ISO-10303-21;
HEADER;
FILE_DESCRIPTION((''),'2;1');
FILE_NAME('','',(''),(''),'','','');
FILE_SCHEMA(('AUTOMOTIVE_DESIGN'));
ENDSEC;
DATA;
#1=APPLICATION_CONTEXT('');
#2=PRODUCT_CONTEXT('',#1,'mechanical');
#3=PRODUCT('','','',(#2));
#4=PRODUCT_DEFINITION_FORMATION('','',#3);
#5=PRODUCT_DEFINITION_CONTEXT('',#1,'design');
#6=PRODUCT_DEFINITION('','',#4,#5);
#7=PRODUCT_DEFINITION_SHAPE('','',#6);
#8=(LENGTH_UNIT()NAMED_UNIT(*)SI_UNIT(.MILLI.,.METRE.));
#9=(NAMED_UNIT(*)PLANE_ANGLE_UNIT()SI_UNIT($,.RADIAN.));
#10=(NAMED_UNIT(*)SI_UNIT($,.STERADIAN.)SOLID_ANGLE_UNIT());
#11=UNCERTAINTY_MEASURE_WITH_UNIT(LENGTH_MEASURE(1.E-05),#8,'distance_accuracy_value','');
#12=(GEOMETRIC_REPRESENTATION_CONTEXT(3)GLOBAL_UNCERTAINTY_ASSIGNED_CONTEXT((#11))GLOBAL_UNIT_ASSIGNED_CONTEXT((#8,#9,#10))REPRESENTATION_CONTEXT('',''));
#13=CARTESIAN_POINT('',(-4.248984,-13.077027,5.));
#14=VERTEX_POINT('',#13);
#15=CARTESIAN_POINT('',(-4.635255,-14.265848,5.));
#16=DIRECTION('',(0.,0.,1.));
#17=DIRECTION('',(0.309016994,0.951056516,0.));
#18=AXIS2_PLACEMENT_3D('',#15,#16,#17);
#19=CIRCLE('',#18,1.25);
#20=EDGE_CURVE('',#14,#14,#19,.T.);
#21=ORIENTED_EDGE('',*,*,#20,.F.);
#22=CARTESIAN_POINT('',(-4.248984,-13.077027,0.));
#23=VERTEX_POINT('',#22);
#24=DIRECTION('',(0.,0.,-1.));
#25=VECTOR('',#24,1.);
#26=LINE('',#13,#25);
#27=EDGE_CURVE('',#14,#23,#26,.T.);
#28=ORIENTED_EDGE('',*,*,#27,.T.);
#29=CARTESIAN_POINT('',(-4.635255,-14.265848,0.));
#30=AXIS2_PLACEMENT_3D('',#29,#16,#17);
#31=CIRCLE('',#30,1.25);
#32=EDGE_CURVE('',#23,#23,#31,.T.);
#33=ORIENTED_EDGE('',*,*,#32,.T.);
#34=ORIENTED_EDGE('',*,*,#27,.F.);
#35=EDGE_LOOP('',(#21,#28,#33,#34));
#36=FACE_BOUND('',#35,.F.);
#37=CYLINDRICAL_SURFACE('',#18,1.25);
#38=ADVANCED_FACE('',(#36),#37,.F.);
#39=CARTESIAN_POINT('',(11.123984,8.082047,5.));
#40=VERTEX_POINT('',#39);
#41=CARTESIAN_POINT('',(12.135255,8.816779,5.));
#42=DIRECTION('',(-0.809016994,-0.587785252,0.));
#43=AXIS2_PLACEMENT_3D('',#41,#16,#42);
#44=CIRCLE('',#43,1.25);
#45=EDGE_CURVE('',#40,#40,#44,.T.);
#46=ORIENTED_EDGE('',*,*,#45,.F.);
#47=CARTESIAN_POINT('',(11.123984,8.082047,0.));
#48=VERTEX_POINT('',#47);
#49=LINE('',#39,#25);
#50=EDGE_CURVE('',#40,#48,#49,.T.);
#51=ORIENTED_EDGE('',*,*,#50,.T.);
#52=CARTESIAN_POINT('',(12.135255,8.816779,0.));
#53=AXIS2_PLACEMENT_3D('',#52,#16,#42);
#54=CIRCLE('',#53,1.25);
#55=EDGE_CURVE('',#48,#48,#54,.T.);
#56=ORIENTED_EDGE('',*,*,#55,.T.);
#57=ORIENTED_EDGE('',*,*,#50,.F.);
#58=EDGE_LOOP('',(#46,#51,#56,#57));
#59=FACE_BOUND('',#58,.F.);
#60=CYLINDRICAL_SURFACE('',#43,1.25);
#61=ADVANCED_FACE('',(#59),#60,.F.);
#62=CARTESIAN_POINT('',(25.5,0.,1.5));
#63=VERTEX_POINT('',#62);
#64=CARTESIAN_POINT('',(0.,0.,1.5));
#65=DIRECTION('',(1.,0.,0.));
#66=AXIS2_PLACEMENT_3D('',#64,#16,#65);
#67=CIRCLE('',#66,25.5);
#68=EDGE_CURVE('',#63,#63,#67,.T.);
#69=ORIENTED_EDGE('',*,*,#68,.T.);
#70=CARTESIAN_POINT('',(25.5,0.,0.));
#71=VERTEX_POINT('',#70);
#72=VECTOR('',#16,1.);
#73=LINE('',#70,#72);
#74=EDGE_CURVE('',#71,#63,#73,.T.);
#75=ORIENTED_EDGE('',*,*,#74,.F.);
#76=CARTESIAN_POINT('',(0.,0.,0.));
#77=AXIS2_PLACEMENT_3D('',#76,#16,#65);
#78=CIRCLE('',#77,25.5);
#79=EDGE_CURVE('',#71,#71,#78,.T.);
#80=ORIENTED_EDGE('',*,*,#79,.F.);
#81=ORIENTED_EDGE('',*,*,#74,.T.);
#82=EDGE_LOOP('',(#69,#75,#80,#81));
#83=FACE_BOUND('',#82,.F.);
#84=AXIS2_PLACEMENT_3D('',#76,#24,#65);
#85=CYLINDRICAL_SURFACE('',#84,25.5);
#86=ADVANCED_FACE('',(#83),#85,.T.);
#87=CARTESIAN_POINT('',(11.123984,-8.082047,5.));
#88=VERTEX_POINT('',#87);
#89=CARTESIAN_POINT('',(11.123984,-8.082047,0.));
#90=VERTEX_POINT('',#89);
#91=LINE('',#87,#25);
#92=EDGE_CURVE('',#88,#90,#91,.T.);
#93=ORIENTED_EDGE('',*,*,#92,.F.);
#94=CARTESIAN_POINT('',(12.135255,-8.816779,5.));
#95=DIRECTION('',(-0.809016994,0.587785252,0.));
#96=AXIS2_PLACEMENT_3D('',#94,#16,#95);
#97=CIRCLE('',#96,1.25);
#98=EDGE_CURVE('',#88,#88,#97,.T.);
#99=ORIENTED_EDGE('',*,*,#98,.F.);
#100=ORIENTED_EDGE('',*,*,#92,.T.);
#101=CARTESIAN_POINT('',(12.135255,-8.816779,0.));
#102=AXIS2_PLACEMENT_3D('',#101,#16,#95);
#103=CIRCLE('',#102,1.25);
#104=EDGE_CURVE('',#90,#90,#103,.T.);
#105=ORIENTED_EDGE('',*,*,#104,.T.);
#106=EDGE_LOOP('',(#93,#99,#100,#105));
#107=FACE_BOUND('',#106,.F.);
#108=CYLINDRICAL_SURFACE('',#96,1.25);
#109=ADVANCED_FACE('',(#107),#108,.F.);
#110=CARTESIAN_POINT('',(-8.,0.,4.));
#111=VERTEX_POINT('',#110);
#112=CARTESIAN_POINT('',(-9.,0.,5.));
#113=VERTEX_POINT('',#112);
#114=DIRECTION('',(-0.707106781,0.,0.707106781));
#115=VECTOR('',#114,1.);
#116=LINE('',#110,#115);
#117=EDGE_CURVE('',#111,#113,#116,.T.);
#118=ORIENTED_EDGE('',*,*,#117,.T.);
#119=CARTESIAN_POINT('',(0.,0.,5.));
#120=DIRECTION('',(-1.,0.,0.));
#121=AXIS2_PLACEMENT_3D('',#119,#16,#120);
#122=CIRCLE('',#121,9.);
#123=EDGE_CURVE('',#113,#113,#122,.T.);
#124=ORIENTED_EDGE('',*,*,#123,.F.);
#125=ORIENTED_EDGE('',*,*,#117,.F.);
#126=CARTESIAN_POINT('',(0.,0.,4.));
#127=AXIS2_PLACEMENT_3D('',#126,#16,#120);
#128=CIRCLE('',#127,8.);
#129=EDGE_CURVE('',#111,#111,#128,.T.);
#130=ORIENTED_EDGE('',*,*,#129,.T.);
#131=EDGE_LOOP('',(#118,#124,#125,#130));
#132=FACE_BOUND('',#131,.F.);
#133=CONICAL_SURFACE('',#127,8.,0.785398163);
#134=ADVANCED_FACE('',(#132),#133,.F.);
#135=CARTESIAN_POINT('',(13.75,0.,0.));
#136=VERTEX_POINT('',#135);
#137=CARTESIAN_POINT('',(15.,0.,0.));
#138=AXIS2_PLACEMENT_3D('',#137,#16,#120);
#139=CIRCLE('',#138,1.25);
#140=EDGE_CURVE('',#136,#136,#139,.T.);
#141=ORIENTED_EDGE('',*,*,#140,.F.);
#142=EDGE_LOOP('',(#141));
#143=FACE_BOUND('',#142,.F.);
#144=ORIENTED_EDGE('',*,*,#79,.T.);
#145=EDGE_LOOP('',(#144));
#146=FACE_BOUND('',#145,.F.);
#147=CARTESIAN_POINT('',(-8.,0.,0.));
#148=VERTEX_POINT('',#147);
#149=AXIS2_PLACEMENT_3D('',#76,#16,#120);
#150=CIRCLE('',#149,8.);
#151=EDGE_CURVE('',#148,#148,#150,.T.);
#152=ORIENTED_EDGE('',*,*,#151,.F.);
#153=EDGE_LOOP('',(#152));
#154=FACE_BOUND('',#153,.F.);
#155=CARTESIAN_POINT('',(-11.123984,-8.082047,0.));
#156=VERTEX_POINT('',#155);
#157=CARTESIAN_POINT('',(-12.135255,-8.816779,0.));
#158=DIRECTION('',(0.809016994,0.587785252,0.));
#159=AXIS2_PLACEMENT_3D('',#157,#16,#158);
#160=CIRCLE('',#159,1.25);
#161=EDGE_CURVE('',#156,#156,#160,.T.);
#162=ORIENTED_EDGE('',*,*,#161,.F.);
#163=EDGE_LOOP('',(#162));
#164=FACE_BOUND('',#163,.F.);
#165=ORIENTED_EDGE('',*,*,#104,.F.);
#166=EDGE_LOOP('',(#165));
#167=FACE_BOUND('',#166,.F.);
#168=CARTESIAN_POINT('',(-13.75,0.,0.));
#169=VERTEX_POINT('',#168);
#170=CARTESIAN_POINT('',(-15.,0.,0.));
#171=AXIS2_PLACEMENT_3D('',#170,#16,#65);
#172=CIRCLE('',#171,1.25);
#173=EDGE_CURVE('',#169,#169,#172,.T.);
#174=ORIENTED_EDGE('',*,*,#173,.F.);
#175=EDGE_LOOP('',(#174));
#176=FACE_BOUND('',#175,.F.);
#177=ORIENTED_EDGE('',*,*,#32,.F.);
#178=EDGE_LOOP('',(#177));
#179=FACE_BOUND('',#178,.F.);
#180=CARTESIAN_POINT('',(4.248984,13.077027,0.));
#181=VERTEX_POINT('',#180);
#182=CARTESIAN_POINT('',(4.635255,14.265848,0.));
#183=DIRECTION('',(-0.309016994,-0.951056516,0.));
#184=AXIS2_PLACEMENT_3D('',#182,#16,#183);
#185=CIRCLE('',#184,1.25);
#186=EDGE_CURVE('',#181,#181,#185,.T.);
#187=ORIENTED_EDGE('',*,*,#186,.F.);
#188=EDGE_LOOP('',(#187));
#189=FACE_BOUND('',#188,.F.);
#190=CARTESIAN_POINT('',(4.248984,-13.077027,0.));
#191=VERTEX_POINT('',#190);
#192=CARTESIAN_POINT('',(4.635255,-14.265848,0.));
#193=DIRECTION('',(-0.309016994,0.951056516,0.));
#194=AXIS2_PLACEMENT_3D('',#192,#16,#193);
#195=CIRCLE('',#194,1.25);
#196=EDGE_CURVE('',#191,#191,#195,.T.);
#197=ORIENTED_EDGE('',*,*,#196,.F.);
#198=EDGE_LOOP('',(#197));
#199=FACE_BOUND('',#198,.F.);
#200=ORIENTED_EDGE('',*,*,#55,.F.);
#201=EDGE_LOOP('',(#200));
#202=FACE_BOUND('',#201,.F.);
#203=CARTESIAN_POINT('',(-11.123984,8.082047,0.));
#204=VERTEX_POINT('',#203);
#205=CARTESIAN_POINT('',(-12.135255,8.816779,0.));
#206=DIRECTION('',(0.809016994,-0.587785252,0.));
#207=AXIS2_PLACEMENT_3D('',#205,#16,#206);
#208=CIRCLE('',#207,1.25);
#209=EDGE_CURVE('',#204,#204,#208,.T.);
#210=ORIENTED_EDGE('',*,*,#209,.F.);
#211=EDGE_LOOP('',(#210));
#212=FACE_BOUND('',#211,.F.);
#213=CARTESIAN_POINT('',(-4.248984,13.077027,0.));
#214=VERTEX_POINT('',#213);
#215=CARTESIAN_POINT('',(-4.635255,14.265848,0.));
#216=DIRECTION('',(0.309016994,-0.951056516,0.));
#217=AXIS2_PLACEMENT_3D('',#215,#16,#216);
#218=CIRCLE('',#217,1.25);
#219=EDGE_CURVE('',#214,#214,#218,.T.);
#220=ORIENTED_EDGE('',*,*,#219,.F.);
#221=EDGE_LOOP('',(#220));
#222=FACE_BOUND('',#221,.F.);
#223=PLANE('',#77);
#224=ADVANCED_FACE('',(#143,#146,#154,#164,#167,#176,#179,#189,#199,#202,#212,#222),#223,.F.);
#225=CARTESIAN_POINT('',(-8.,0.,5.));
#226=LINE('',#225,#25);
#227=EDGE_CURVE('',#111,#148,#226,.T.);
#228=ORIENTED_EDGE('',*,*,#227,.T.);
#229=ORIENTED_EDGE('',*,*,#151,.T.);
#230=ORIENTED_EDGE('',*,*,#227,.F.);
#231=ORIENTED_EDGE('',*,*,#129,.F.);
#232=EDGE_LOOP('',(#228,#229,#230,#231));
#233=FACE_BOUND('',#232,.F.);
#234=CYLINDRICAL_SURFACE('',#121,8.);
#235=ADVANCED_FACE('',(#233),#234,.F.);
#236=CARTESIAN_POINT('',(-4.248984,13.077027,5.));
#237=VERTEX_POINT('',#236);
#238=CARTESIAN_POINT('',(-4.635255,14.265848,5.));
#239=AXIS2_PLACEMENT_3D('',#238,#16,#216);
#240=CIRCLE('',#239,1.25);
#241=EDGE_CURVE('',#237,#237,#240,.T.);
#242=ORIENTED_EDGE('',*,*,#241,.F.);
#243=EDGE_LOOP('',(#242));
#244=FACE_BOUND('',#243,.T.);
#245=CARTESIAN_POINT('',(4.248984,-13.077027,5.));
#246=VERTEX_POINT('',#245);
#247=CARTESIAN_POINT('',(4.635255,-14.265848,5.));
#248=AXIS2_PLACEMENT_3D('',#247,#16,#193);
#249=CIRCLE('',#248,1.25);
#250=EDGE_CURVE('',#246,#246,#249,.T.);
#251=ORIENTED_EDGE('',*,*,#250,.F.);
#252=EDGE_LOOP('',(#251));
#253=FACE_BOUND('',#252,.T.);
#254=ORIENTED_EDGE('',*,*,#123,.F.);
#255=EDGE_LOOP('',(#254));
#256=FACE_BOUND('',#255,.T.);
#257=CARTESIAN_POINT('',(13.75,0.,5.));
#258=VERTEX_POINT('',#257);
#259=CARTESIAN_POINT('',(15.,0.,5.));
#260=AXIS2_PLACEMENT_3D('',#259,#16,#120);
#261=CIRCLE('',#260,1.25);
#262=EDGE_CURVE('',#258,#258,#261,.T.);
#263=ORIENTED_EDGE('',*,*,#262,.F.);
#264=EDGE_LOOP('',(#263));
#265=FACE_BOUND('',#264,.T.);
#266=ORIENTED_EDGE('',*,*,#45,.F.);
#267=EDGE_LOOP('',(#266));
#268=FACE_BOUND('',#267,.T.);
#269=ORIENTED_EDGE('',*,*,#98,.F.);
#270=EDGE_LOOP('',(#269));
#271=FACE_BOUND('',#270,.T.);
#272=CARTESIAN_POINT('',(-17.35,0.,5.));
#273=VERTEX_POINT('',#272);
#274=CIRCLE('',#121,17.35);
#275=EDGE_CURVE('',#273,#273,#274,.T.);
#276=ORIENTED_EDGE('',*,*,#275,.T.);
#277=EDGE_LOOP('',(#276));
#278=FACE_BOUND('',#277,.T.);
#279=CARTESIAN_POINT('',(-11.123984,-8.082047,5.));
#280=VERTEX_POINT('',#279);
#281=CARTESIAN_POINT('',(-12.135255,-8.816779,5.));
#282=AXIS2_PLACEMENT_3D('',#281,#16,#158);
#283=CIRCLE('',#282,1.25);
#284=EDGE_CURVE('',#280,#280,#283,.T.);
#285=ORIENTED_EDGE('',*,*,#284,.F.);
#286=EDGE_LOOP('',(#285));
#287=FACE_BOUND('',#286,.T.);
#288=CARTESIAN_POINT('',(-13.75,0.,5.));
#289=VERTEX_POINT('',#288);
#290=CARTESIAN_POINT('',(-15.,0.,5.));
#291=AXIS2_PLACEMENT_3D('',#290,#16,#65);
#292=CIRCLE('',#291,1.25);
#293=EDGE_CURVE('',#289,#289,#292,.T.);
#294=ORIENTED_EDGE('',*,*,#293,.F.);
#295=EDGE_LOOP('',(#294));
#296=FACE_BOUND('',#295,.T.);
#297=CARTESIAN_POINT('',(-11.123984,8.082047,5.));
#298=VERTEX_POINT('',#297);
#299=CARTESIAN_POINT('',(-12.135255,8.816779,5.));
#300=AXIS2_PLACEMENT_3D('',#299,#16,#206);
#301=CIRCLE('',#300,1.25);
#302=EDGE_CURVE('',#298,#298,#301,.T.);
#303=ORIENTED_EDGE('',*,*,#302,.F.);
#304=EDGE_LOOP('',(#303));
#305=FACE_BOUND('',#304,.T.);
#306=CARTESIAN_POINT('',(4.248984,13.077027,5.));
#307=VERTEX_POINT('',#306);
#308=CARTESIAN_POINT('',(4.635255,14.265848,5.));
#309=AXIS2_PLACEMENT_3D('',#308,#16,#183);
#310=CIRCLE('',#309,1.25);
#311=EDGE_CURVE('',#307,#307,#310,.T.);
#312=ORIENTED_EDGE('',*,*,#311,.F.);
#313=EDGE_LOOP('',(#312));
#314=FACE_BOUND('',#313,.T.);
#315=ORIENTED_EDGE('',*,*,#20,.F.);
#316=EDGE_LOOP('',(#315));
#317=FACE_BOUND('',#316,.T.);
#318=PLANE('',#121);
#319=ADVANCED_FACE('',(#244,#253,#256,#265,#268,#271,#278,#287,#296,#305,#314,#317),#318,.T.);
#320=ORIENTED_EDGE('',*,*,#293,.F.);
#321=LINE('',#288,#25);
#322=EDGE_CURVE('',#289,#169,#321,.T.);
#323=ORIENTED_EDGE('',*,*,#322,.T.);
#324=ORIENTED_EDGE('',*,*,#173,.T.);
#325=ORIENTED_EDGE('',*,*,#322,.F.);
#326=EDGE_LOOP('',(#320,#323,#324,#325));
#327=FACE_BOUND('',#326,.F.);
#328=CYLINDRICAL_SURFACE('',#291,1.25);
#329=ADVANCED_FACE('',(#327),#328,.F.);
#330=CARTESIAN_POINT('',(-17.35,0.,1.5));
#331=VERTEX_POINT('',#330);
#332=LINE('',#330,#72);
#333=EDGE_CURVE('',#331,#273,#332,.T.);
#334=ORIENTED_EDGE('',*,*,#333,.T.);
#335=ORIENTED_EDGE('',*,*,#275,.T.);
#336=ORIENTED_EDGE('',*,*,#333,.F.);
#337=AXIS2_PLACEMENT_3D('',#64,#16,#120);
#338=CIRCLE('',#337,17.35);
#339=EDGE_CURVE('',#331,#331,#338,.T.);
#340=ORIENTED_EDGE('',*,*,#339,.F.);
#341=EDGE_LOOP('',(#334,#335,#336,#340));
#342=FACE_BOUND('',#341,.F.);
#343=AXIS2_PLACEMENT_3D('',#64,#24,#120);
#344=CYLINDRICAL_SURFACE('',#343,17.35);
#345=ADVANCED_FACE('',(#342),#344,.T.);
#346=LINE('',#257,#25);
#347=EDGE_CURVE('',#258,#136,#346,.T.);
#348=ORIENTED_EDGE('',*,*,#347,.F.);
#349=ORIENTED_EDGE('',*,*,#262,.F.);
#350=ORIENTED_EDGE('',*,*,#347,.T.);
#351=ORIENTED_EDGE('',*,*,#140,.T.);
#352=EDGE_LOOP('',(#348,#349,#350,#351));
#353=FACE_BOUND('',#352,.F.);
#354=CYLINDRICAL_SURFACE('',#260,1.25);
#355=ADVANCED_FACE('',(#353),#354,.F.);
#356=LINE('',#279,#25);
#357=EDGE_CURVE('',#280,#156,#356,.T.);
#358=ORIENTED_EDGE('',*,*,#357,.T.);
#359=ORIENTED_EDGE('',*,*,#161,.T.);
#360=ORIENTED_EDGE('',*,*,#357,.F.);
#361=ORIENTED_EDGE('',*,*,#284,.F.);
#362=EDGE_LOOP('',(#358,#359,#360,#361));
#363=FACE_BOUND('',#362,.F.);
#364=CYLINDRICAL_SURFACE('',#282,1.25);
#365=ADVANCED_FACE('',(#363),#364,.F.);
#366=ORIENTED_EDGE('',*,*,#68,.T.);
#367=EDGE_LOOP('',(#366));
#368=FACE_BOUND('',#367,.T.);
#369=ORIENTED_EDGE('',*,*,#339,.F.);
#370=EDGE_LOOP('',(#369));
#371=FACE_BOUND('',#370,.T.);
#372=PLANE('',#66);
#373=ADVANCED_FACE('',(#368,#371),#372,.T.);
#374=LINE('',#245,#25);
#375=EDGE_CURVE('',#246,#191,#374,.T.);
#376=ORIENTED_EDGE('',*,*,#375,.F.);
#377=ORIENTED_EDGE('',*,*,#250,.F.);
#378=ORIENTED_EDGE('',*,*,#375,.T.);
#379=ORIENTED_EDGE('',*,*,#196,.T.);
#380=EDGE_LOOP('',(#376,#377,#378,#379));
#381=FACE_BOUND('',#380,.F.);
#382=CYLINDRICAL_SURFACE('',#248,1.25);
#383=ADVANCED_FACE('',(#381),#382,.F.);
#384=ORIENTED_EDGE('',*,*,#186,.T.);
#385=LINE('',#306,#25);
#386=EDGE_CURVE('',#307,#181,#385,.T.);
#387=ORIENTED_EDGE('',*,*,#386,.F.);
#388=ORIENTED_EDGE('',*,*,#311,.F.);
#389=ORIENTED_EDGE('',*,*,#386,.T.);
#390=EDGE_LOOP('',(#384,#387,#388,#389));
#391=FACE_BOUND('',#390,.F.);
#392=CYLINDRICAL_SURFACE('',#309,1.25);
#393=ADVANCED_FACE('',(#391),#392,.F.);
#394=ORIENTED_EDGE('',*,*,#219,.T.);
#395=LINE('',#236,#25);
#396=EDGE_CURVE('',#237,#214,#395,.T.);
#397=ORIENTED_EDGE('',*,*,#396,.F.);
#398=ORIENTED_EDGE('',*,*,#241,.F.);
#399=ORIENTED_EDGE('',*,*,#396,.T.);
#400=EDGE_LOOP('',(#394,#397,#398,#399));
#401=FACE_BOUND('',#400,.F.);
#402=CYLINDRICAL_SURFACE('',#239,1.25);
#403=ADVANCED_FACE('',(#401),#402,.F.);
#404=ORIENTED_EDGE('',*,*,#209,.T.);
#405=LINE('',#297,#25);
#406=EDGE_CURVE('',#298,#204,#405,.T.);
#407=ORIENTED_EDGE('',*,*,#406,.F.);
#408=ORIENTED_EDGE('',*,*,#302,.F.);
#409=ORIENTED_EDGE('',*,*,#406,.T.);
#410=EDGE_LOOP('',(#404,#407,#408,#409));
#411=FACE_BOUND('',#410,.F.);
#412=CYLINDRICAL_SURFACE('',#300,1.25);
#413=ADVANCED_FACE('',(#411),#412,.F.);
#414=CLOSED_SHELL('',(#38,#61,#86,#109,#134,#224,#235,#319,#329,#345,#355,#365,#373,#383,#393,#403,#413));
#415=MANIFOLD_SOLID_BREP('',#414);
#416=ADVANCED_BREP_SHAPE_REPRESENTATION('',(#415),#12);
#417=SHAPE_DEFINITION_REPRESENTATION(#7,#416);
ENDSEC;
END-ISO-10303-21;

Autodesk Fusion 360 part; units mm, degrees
sketch "Sketch1" plane through (0, 0, 0) normal (0, 0, 1) x (1, 0, 0)
  circle A0 centre (0, 0) radius 25.5
  dimension "d1" = 51
extrude "Extrude1" add sketch "Sketch1" along normal blind 1.5
sketch "Sketch2" plane through (0, 0, 1.5) normal (0, 0, 1) x (-1, 0, 0)
  circle A0 centre (0, 0) radius 25.5
  circle A1 centre (0, 0) radius 17.35
  dimension "d4" = 34.7
extrude "Extrude2" add sketch "Sketch2" along normal blind 3.5 contours A1
sketch "Sketch3" plane through (0, 0, 5) normal (0, 0, 1) x (-1, 0, 0)
  circle A0 centre (0, 0) radius 17.35
  circle A1 centre (-15, 0) radius 1.25
  dimension "d8" = 2.5
  dimension "d9" = 15
extrude "Extrude3" cut sketch "Sketch3" against normal blind 20 contours A1
pattern_circular "C-Pattern1" count 10 over 360 about axis through (0, 0, 1.75) along (0, 0, 1) of "Extrude3"
sketch "Sketch4" plane through (0, 0, 5) normal (0, 0, 1) x (-1, 0, 0)
  circle A0 centre (-12.1353, 8.8168) radius 1.25
  circle A1 centre (-4.6353, 14.2658) radius 1.25
  circle A2 centre (4.6353, 14.2658) radius 1.25
  circle A3 centre (12.1353, 8.8168) radius 1.25
  circle A4 centre (15, 0) radius 1.25
  circle A5 centre (12.1353, -8.8168) radius 1.25
  circle A6 centre (4.6353, -14.2658) radius 1.25
  circle A7 centre (-4.6353, -14.2658) radius 1.25
  circle A8 centre (-12.1353, -8.8168) radius 1.25
  circle A9 centre (-15, 0) radius 1.25
  circle A10 centre (0, 0) radius 17.35
  circle A11 centre (0, 0) radius 8
  dimension "d14" = 16
extrude "Extrude4" cut sketch "Sketch4" against normal blind 20 contours A11
chamfer "Chamfer1" distance 1 angle 45 1 edges at (7.4586, -2.8929, 5)
sketch "Sketch5" plane through (0, 0, 5) normal (0, 0, 1) x (-1, 0, 0)
  circle A0 centre (0, 0) radius 17.35
  circle A1 centre (-15, 0) radius 1.25
  circle A2 centre (-12.1353, -8.8168) radius 1.25
  circle A3 centre (-4.6353, -14.2658) radius 1.25
  circle A4 centre (4.6353, -14.2658) radius 1.25
  circle A5 centre (12.1353, -8.8168) radius 1.25
  circle A6 centre (15, 0) radius 1.25
  circle A7 centre (12.1353, 8.8168) radius 1.25
  circle A8 centre (4.6353, 14.2658) radius 1.25
  circle A9 centre (-4.6353, 14.2658) radius 1.25
  circle A10 centre (-12.1353, 8.8168) radius 1.25
  circle A11 centre (0, 0) radius 9
equation "d4 = 35 mm - offset"
equation "offset = 0.3 mm"
